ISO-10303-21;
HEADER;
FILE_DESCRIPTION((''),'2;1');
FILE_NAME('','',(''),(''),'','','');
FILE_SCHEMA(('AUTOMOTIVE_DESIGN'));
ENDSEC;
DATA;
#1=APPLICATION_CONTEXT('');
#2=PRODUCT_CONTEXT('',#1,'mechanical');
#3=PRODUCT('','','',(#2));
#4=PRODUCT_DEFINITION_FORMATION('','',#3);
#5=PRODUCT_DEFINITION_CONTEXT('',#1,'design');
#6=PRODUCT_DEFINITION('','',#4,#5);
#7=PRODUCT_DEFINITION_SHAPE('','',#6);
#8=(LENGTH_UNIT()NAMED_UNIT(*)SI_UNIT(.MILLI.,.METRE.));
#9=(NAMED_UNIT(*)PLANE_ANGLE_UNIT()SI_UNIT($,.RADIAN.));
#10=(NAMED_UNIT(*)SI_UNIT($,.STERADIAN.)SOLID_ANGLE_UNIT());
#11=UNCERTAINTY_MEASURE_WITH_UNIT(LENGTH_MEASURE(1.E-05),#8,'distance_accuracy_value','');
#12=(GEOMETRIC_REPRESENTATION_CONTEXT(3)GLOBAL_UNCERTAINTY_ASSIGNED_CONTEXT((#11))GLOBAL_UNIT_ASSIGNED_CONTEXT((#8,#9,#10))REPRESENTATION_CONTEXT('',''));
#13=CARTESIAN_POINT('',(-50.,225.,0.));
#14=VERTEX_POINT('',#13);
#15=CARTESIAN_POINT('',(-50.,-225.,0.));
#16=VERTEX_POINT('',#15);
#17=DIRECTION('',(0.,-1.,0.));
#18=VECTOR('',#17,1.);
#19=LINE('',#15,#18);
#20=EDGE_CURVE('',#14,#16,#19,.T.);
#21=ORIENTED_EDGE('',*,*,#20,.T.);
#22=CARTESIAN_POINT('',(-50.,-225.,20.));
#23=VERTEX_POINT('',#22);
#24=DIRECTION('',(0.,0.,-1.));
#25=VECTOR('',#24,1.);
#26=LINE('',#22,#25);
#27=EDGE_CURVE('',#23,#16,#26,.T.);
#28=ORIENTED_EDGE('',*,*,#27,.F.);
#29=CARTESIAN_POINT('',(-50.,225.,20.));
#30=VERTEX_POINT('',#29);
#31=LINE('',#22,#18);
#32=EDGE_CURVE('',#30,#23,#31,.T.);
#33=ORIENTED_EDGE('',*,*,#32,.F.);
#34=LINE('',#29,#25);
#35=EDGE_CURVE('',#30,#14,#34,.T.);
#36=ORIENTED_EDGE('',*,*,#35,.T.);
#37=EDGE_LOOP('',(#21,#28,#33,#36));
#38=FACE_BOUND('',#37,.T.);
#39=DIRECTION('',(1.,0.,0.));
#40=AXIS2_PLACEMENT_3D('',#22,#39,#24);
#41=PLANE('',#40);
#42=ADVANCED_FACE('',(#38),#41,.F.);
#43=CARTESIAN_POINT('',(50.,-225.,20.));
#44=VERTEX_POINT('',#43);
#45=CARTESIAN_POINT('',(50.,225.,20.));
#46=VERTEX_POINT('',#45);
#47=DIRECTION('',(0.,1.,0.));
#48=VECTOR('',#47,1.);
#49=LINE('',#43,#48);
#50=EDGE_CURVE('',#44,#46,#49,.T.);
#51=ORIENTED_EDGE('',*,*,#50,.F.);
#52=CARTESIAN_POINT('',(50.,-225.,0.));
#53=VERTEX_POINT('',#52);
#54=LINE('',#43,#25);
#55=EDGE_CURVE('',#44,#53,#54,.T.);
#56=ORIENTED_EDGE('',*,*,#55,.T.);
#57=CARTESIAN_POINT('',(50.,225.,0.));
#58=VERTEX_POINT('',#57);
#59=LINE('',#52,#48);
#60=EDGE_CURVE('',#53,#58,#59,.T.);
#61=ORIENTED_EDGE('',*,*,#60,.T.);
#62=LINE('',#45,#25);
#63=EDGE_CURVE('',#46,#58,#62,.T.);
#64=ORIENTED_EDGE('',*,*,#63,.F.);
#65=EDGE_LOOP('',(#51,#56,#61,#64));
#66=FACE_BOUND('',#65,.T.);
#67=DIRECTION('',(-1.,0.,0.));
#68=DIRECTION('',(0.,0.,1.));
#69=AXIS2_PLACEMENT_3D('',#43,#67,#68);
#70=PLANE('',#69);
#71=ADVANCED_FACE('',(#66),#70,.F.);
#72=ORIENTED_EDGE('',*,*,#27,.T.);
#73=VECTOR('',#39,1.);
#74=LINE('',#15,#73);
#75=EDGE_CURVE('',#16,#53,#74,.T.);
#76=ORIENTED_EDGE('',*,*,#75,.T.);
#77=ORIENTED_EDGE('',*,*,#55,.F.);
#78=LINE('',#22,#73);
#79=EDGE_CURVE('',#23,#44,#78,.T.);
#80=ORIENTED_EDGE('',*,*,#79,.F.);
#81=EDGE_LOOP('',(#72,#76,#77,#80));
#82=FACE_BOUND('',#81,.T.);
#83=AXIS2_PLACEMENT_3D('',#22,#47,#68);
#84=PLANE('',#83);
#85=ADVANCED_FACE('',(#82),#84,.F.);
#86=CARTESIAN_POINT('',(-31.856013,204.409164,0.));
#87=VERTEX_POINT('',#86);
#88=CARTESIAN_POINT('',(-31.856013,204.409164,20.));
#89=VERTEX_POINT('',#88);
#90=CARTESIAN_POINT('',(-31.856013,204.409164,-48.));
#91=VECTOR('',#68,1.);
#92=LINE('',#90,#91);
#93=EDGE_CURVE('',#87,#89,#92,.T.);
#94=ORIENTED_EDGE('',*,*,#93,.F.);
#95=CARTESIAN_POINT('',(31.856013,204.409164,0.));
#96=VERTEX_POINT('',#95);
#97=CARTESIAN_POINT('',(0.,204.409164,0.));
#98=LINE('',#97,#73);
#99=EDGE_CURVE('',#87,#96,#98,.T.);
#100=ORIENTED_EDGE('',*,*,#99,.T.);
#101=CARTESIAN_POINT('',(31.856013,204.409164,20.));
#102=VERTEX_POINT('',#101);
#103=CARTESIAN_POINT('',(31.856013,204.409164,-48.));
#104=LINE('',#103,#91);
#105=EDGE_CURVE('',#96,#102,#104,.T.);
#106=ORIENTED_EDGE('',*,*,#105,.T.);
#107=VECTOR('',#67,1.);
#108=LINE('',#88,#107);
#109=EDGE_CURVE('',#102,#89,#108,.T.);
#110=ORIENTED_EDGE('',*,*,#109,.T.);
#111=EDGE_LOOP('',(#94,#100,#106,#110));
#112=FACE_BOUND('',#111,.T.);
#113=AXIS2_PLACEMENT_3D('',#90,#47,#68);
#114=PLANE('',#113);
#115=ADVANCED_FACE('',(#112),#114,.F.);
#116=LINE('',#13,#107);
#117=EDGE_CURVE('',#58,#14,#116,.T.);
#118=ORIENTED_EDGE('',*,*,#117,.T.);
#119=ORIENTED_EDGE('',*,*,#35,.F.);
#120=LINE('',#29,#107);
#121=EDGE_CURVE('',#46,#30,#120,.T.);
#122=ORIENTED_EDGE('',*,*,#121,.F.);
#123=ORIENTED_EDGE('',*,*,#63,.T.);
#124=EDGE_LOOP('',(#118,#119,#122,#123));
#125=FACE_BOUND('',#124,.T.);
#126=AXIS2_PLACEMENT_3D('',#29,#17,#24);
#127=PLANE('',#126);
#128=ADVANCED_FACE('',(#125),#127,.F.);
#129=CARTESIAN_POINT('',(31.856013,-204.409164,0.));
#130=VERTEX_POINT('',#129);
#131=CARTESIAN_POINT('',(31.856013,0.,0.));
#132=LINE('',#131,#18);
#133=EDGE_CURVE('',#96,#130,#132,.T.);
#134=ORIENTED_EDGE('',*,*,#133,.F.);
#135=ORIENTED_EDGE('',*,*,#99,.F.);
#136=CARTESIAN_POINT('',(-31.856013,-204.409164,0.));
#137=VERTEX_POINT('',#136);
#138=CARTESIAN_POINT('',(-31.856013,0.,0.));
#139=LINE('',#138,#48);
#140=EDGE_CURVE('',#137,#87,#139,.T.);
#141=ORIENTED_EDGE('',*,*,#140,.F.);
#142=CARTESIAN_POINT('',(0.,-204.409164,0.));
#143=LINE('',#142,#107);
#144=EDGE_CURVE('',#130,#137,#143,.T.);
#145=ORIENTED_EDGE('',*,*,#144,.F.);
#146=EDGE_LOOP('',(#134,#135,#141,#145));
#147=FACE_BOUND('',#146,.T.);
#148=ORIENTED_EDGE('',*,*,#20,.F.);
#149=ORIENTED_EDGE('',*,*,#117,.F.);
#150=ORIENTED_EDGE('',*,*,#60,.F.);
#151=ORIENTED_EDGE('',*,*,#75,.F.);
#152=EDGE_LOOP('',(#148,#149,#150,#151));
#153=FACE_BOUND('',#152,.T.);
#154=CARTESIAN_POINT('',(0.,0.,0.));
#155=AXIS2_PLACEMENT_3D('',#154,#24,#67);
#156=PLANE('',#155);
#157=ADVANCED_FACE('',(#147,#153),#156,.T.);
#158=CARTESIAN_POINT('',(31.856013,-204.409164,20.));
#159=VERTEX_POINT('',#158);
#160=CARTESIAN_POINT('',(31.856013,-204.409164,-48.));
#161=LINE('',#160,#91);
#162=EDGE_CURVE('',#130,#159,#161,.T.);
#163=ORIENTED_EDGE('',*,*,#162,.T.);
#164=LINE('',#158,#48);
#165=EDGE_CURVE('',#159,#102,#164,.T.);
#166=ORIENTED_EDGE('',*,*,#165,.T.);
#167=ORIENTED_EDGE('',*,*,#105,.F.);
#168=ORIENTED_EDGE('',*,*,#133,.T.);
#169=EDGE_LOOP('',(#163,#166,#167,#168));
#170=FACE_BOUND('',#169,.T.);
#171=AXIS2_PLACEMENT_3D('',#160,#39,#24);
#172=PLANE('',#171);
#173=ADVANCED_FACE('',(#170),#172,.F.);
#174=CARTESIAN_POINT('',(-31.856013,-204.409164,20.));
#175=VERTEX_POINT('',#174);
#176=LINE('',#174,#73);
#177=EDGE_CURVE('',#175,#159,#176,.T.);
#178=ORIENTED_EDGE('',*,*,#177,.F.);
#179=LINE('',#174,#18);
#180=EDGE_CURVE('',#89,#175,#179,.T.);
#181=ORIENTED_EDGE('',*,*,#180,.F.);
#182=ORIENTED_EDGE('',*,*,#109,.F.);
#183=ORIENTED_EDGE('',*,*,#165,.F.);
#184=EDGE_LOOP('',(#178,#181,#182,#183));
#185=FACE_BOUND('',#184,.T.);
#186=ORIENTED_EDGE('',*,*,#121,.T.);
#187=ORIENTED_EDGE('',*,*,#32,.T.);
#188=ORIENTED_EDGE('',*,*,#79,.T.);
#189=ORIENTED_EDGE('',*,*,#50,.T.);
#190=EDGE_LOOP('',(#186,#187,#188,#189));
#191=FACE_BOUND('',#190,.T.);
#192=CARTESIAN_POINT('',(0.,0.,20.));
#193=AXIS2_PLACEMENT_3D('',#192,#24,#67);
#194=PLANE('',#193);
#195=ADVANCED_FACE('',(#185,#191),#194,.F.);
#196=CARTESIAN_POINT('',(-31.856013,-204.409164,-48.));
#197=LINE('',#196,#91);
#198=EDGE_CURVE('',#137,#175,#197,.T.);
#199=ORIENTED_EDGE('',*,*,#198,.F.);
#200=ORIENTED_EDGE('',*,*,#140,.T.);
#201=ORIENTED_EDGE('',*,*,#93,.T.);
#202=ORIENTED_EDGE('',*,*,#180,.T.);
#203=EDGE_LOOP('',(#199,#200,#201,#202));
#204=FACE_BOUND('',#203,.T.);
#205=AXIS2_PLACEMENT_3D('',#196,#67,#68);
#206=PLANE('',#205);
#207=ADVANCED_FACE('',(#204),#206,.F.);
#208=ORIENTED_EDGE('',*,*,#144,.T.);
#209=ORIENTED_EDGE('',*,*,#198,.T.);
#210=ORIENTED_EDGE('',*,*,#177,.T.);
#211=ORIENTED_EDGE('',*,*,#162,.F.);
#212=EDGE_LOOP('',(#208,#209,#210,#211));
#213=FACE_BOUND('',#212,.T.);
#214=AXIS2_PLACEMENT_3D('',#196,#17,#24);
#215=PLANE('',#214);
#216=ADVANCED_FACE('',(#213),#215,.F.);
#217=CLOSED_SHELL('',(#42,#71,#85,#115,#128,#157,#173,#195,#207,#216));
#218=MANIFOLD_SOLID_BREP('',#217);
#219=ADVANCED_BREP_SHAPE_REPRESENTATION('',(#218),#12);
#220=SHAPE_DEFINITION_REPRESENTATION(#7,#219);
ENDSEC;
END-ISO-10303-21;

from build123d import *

# Parameters (mm, degrees)
SKETCH1_W           = 100
SKETCH1_H           = 450
BOSS_EXTRUDE1_DEPTH = 20
SKETCH2_W           = 63.712026202
SKETCH2_H           = 408.81832723
CUT_EXTRUDE1_DEPTH  = 68


with BuildPart() as part:
    # Sketch1 → Boss-Extrude1 (new body)
    with BuildSketch(Plane.XY):
        Rectangle(SKETCH1_W, SKETCH1_H)
    extrude(amount=BOSS_EXTRUDE1_DEPTH)

    # Sketch2 → Cut-Extrude1 (cut)
    with BuildSketch(Plane.XY.offset(20)):
        Rectangle(SKETCH2_W, SKETCH2_H)
    extrude(amount=-CUT_EXTRUDE1_DEPTH, mode=Mode.SUBTRACT)


solid = part.part
